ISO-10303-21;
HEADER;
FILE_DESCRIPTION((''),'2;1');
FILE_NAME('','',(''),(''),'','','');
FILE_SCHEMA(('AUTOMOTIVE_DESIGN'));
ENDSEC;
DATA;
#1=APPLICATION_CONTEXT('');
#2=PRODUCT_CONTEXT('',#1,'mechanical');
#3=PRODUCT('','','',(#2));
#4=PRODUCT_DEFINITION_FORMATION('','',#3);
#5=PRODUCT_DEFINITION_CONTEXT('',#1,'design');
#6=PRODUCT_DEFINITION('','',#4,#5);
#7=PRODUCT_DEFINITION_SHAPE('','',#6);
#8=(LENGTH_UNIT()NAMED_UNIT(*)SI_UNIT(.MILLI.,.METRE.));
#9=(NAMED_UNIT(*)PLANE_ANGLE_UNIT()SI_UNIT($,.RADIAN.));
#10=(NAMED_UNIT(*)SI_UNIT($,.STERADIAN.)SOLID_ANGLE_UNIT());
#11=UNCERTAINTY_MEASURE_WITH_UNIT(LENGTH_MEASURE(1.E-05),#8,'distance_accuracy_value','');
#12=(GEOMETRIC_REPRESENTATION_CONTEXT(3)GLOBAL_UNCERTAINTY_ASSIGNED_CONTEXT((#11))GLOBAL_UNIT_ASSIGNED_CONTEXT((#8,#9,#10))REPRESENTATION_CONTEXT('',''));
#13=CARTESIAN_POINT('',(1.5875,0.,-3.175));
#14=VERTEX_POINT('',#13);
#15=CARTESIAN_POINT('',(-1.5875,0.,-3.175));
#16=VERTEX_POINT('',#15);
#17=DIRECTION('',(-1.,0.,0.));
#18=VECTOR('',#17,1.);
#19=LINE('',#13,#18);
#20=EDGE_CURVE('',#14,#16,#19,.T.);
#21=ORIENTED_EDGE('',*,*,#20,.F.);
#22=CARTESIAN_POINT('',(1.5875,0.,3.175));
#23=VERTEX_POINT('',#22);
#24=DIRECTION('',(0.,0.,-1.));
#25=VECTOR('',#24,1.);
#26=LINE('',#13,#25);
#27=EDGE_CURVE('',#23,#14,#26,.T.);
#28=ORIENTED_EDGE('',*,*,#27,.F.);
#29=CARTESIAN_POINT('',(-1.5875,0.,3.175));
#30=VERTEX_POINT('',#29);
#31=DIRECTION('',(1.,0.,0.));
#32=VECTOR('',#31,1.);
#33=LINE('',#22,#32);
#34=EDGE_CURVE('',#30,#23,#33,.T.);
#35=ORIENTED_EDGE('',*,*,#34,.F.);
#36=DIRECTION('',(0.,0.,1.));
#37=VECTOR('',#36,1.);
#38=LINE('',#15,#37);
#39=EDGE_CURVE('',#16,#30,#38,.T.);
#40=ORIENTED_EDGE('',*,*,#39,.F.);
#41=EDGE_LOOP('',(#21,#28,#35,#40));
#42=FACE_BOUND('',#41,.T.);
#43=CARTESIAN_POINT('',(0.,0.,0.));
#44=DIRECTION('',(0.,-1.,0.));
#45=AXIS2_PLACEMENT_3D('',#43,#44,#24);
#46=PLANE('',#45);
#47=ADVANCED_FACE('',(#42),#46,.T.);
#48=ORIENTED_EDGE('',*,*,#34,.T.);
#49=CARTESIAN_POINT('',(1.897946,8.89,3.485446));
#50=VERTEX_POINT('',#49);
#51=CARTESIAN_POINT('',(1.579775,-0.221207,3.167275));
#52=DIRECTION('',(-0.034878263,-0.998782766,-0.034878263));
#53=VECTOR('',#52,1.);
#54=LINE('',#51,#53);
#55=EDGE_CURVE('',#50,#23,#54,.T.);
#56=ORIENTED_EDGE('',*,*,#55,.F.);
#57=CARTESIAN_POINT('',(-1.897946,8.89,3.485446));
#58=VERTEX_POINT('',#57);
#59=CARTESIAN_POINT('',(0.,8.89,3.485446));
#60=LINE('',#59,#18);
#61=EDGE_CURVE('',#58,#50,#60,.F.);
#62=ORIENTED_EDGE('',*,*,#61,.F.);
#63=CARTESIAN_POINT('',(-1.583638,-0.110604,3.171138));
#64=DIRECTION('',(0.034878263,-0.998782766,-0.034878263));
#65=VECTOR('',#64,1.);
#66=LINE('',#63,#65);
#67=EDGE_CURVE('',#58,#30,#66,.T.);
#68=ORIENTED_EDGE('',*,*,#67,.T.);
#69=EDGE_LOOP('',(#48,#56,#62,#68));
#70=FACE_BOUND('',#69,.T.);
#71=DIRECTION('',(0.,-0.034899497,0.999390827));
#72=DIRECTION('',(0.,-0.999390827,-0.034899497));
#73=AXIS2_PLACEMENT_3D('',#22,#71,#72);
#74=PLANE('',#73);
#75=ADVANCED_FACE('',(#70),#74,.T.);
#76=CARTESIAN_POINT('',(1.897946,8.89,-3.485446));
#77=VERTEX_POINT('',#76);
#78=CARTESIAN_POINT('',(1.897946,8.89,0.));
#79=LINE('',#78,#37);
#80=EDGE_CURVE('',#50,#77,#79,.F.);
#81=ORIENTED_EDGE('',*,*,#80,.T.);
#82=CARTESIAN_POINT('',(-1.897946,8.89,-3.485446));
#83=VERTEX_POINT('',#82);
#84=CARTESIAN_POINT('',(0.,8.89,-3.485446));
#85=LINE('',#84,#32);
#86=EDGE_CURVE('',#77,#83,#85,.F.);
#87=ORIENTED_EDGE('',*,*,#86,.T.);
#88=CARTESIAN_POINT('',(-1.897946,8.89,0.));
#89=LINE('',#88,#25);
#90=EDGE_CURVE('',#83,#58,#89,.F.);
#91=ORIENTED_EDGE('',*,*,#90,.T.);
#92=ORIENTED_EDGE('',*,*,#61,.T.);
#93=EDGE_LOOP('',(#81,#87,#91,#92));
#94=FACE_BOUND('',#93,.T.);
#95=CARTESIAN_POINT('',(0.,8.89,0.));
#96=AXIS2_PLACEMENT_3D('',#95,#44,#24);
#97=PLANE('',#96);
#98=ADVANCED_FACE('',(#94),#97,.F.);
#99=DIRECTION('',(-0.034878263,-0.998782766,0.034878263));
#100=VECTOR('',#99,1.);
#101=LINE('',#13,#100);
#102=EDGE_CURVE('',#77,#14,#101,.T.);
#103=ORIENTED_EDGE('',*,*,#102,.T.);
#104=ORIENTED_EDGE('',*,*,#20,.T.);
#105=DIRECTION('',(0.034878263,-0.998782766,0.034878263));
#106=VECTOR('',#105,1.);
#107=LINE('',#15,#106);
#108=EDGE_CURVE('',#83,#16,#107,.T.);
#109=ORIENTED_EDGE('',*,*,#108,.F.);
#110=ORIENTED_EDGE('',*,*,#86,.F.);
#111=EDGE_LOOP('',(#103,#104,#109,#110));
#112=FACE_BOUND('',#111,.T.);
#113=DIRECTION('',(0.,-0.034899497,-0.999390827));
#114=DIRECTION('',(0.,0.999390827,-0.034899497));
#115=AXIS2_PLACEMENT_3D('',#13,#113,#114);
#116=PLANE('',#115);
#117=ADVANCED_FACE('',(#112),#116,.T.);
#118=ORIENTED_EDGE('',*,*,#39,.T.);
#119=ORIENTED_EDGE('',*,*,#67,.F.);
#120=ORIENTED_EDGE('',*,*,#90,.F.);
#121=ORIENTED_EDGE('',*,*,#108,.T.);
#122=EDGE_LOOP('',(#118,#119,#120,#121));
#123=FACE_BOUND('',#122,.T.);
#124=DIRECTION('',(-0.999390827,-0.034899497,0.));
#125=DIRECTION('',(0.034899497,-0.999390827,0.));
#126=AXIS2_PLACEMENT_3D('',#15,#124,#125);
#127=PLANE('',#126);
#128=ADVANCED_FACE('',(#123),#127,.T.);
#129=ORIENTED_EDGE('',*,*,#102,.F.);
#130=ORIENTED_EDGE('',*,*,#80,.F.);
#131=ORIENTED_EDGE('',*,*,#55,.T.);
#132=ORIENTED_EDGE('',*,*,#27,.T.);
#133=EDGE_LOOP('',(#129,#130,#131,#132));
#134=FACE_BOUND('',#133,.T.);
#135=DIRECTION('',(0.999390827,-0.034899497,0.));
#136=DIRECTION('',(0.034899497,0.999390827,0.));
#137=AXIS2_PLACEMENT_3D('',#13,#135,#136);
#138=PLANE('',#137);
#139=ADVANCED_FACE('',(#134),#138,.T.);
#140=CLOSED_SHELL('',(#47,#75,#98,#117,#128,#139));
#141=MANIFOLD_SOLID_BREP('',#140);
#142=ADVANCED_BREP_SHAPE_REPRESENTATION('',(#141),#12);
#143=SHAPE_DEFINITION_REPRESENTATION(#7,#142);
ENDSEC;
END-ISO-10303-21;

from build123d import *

# Parameters (mm, degrees)
SKETCH1_W           = 3.175
SKETCH1_H           = 6.35
BOSS_EXTRUDE1_DEPTH = 8.89
BOSS_EXTRUDE1_TAPER = -2


with BuildPart() as part:
    # Sketch1 → Boss-Extrude1 (new body)
    with BuildSketch(Plane(origin=(0, 0, 0), x_dir=(1, 0, 0), z_dir=(0, 1, 0))):
        Rectangle(SKETCH1_W, SKETCH1_H)
    extrude(amount=BOSS_EXTRUDE1_DEPTH, taper=BOSS_EXTRUDE1_TAPER)


solid = part.part
